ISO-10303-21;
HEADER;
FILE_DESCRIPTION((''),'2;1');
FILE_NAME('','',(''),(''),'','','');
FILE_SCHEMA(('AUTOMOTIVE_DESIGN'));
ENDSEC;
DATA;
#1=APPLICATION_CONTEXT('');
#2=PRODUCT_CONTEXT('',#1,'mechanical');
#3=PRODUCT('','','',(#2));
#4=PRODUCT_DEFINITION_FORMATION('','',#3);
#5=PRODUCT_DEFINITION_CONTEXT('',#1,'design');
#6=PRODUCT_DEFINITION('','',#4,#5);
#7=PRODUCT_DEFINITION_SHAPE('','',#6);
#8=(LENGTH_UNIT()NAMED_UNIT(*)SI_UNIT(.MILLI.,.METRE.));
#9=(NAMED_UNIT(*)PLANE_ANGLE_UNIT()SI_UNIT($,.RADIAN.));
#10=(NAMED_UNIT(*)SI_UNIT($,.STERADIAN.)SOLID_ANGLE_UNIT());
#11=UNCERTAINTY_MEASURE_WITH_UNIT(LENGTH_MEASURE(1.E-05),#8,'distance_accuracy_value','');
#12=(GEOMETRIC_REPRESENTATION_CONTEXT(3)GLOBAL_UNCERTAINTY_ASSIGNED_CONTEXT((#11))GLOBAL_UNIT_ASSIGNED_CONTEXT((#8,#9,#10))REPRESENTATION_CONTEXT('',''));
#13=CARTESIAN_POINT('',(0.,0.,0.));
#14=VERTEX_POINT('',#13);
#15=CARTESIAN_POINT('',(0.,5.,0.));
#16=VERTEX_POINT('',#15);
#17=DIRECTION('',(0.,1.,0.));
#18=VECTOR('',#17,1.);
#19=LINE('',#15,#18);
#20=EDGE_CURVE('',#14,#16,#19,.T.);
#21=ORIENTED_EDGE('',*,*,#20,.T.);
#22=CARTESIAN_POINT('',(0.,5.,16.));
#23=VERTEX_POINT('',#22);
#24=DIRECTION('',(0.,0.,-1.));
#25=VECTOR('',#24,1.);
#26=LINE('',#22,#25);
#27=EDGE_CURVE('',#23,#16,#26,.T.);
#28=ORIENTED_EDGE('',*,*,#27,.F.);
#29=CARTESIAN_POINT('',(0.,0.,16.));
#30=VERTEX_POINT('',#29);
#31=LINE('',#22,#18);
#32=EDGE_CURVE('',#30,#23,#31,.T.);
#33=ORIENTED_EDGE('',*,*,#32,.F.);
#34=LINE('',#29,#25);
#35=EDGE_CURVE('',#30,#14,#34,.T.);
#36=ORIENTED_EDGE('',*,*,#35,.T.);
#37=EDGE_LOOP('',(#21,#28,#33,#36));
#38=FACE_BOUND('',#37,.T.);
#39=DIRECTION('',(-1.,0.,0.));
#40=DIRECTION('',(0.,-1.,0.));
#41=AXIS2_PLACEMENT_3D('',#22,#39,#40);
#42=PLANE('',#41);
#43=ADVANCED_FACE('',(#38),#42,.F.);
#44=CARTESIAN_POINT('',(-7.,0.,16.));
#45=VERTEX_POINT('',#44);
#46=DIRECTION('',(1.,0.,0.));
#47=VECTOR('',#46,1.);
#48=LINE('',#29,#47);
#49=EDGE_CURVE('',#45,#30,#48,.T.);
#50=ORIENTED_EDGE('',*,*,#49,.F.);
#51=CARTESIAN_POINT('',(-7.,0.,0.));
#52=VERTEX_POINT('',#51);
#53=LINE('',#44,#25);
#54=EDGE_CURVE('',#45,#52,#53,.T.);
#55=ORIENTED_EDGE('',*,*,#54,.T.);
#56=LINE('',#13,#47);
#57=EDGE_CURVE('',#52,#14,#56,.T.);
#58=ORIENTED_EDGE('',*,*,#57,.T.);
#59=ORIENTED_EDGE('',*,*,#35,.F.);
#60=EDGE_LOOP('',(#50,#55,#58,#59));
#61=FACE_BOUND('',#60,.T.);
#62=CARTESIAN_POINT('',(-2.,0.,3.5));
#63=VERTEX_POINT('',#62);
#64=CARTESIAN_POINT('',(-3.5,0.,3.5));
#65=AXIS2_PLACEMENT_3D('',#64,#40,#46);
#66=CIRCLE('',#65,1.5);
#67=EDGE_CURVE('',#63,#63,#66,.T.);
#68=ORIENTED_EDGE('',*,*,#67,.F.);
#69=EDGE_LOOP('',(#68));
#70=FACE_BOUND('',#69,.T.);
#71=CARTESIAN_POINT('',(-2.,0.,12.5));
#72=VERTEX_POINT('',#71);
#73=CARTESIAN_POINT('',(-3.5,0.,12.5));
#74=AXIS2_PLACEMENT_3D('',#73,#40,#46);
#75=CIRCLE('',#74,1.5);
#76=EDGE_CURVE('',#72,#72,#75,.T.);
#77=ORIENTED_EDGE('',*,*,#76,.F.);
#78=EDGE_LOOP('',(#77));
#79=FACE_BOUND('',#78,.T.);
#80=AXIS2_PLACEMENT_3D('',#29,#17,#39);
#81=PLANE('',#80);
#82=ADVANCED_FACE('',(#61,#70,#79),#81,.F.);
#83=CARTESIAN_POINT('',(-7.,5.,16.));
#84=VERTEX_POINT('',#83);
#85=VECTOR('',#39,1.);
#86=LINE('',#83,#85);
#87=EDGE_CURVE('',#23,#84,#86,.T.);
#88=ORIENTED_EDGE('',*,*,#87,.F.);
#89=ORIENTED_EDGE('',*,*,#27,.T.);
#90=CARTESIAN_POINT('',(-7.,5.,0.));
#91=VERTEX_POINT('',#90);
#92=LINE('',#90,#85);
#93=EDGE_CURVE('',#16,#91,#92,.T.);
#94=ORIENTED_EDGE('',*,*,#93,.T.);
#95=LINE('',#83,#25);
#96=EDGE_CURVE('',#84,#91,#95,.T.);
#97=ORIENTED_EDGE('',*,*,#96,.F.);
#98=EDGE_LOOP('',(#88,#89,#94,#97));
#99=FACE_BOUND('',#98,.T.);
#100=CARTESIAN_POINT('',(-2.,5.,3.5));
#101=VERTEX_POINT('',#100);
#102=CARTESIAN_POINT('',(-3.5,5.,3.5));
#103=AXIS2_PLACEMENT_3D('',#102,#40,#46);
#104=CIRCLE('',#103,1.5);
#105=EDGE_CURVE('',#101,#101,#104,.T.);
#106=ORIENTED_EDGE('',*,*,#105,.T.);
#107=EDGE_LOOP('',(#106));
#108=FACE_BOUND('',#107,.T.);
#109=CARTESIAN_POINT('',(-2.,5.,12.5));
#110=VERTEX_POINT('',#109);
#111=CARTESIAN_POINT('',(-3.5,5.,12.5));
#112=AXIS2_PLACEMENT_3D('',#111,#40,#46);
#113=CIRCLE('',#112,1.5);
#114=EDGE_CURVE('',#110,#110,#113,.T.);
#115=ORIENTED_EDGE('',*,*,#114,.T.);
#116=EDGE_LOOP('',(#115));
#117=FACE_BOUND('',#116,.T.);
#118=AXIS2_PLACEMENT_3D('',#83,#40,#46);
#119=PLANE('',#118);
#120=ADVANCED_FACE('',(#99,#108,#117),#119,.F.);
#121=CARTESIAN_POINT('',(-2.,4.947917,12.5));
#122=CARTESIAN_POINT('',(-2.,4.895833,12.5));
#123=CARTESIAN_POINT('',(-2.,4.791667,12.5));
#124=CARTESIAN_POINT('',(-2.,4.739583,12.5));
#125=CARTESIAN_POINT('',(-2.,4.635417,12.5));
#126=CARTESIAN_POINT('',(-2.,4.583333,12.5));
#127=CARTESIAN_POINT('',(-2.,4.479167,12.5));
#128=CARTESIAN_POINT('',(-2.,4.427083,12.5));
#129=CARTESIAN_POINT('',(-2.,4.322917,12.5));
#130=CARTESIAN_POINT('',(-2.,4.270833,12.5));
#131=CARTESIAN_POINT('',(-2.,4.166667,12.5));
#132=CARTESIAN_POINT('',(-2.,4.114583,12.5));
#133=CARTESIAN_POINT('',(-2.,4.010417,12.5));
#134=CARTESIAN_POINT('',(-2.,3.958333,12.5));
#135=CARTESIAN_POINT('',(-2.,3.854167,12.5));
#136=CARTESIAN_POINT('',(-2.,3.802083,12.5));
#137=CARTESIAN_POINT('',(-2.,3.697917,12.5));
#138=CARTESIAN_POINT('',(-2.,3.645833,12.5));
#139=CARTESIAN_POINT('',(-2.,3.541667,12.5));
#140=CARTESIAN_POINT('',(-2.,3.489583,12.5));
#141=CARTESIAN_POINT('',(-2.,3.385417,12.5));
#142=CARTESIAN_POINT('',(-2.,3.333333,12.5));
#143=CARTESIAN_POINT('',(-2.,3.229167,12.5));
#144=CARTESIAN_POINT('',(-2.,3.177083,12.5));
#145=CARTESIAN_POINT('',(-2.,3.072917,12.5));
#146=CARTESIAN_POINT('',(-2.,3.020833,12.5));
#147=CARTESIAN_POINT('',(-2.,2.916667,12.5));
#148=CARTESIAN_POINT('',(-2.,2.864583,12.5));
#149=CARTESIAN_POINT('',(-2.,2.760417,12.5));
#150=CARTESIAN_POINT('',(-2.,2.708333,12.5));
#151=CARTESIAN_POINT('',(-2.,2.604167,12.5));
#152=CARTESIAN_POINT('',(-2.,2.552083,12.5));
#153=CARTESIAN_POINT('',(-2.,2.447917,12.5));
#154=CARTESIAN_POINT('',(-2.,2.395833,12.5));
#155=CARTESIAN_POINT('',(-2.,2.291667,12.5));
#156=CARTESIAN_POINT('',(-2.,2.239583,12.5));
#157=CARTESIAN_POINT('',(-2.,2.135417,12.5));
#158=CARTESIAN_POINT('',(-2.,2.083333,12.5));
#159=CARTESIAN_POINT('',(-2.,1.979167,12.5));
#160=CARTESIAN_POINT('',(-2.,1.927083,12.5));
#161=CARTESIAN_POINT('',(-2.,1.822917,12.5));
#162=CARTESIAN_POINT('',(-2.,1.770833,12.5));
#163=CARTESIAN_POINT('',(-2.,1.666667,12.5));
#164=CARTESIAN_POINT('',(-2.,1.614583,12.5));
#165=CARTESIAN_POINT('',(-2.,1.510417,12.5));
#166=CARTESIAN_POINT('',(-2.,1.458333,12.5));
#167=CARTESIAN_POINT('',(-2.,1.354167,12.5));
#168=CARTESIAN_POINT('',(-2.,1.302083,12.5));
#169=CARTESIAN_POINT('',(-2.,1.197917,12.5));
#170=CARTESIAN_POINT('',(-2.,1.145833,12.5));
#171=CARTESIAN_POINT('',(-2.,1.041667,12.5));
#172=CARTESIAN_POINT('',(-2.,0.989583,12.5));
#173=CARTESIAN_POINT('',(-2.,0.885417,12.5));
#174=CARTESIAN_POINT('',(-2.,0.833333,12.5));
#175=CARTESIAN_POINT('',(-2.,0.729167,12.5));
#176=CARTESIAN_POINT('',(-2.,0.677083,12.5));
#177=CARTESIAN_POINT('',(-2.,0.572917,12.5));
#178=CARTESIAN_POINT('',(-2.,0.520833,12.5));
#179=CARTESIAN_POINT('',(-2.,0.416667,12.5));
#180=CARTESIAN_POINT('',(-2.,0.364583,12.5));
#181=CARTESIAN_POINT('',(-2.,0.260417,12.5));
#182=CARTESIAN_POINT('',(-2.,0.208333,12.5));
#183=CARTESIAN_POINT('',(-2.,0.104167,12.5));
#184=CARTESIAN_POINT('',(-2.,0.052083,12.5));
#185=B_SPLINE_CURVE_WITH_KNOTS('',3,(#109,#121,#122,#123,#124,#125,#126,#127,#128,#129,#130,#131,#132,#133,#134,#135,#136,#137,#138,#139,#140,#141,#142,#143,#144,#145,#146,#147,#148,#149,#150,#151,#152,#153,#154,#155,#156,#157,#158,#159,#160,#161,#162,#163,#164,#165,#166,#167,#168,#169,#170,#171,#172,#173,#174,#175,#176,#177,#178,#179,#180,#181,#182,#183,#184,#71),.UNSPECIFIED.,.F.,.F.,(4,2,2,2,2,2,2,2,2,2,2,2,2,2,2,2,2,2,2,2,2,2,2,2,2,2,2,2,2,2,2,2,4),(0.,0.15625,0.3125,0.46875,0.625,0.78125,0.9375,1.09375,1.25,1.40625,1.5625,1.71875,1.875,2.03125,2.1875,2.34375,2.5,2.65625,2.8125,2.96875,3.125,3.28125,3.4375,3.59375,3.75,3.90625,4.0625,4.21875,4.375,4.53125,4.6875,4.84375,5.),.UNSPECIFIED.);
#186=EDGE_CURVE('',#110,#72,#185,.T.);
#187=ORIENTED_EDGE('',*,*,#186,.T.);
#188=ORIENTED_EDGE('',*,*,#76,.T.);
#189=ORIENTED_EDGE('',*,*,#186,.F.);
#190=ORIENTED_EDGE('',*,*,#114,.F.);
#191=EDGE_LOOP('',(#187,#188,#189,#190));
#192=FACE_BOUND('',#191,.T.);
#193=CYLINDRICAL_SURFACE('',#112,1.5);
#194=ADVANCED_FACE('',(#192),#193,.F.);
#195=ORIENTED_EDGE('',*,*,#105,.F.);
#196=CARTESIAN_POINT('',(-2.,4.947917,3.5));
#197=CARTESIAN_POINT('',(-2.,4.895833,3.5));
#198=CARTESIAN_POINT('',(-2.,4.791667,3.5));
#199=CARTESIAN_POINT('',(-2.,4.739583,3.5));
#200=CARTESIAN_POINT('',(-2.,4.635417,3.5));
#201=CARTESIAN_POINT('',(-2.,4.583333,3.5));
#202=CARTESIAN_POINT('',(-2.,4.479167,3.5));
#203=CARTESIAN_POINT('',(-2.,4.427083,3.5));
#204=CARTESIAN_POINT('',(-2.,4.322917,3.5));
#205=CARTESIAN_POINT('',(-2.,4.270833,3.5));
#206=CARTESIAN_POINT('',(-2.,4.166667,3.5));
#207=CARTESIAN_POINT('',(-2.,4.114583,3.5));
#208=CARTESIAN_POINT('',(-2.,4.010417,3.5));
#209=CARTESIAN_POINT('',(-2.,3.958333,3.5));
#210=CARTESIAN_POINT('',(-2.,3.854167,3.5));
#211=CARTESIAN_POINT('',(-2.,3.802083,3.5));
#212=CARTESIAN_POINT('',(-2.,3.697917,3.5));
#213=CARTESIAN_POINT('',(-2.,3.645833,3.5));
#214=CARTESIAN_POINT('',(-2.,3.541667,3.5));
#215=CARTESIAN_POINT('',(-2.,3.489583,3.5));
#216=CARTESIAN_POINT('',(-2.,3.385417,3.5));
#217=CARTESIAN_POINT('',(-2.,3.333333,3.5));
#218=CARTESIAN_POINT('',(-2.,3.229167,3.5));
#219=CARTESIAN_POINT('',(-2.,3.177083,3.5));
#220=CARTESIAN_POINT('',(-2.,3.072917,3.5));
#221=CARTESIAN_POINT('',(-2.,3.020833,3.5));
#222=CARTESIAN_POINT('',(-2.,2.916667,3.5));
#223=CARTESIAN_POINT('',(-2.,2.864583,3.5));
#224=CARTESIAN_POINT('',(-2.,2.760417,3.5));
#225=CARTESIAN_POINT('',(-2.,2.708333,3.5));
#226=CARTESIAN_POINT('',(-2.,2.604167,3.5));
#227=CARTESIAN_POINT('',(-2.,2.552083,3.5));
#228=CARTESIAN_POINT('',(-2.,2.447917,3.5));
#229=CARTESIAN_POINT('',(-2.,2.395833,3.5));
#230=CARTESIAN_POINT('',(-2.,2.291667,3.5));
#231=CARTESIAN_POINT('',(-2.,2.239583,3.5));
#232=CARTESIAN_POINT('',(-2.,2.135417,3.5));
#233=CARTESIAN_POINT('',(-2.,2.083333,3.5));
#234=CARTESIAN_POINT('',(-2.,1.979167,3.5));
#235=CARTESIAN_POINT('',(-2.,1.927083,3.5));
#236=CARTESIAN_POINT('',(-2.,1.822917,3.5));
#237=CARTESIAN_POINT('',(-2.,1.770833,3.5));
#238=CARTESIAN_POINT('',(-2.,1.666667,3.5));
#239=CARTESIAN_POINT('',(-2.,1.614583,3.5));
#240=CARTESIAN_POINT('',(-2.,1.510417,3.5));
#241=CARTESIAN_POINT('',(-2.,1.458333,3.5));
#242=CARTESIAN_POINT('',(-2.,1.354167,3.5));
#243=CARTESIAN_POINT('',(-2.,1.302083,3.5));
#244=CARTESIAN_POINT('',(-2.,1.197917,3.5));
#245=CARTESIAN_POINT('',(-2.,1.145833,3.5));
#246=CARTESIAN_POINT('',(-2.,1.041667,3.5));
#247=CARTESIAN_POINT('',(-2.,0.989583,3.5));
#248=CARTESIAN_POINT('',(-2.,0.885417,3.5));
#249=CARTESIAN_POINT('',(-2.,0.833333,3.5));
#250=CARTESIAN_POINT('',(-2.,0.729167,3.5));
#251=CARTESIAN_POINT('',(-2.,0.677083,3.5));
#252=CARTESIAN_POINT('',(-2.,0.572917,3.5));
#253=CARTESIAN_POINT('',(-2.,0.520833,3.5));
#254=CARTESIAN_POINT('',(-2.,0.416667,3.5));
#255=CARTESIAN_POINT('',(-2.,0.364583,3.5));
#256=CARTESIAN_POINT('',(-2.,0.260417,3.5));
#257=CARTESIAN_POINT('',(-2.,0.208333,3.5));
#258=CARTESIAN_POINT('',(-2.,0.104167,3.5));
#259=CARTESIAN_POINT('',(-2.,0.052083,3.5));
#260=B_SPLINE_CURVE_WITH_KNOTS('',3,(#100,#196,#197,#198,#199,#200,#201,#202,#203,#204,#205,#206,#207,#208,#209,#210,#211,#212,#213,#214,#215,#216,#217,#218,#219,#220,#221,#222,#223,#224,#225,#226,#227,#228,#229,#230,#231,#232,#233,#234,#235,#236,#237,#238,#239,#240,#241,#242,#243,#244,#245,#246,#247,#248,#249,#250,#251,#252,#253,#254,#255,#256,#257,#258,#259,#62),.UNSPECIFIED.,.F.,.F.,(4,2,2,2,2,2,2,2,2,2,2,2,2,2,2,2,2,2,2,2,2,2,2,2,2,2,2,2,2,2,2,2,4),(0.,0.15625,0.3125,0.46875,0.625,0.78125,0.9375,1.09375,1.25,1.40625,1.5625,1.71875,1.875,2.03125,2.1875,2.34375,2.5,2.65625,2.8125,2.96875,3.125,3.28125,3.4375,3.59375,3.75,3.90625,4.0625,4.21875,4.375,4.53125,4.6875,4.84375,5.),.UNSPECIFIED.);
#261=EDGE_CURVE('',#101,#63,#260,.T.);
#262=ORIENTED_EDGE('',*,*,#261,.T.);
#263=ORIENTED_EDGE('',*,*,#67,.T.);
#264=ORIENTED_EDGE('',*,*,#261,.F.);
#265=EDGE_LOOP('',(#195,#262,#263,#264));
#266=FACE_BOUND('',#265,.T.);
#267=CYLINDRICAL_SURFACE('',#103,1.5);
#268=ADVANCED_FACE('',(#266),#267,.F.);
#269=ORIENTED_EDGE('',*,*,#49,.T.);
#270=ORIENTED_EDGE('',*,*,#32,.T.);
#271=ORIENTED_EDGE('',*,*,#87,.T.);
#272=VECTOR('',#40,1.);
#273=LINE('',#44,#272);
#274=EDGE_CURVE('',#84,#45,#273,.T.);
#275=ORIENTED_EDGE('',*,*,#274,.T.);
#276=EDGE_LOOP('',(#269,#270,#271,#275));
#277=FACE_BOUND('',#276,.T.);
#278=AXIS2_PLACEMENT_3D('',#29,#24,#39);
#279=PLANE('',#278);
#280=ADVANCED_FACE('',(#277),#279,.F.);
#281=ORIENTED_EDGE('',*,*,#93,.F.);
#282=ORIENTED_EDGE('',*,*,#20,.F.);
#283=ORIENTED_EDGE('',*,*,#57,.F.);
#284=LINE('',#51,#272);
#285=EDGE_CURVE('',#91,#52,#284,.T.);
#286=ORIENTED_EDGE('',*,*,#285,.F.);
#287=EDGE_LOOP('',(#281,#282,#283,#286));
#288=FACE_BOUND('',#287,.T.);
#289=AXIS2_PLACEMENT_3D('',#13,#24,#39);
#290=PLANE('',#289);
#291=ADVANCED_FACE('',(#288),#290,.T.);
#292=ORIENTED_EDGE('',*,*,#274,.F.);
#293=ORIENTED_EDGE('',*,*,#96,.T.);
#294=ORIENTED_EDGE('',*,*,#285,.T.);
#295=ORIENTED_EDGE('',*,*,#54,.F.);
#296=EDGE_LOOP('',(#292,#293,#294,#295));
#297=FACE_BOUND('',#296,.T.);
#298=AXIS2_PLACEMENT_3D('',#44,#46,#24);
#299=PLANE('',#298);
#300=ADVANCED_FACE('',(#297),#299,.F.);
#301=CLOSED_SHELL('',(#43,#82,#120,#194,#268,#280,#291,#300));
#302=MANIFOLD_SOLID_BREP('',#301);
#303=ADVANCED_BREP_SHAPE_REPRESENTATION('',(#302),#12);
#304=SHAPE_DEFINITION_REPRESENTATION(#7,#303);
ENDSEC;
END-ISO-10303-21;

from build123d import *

# Parameters (mm, degrees)
SCHIZZO1_W                   = 7
SCHIZZO1_H                   = 5
ESTRUSIONE_ESTRUSIONE1_DEPTH = 16
SCHIZZO2_R                   = 1.5
TAGLIO_ESTRUSIONE1_DEPTH     = 19.165902125


with BuildPart() as part:
    # Schizzo1 → Estrusione-Estrusione1 (new body)
    with BuildSketch(Plane.XY):
        with Locations((-3.5, 2.5)):
            Rectangle(SCHIZZO1_W, SCHIZZO1_H)
    extrude(amount=ESTRUSIONE_ESTRUSIONE1_DEPTH)

    # Schizzo2 → Taglio-Estrusione1 (cut, through all)
    with BuildSketch(Plane(origin=(0, 0, 0), x_dir=(-1, 0, 0), z_dir=(0, -1, 0))):
        with Locations(Location((3.5, -12.5, 0), (0, 0, 180))):
            Circle(SCHIZZO2_R)
        with Locations(Location((3.5, -3.5, 0), (0, 0, 180))):
            Circle(SCHIZZO2_R)
    extrude(amount=-TAGLIO_ESTRUSIONE1_DEPTH, mode=Mode.SUBTRACT)


solid = part.part
